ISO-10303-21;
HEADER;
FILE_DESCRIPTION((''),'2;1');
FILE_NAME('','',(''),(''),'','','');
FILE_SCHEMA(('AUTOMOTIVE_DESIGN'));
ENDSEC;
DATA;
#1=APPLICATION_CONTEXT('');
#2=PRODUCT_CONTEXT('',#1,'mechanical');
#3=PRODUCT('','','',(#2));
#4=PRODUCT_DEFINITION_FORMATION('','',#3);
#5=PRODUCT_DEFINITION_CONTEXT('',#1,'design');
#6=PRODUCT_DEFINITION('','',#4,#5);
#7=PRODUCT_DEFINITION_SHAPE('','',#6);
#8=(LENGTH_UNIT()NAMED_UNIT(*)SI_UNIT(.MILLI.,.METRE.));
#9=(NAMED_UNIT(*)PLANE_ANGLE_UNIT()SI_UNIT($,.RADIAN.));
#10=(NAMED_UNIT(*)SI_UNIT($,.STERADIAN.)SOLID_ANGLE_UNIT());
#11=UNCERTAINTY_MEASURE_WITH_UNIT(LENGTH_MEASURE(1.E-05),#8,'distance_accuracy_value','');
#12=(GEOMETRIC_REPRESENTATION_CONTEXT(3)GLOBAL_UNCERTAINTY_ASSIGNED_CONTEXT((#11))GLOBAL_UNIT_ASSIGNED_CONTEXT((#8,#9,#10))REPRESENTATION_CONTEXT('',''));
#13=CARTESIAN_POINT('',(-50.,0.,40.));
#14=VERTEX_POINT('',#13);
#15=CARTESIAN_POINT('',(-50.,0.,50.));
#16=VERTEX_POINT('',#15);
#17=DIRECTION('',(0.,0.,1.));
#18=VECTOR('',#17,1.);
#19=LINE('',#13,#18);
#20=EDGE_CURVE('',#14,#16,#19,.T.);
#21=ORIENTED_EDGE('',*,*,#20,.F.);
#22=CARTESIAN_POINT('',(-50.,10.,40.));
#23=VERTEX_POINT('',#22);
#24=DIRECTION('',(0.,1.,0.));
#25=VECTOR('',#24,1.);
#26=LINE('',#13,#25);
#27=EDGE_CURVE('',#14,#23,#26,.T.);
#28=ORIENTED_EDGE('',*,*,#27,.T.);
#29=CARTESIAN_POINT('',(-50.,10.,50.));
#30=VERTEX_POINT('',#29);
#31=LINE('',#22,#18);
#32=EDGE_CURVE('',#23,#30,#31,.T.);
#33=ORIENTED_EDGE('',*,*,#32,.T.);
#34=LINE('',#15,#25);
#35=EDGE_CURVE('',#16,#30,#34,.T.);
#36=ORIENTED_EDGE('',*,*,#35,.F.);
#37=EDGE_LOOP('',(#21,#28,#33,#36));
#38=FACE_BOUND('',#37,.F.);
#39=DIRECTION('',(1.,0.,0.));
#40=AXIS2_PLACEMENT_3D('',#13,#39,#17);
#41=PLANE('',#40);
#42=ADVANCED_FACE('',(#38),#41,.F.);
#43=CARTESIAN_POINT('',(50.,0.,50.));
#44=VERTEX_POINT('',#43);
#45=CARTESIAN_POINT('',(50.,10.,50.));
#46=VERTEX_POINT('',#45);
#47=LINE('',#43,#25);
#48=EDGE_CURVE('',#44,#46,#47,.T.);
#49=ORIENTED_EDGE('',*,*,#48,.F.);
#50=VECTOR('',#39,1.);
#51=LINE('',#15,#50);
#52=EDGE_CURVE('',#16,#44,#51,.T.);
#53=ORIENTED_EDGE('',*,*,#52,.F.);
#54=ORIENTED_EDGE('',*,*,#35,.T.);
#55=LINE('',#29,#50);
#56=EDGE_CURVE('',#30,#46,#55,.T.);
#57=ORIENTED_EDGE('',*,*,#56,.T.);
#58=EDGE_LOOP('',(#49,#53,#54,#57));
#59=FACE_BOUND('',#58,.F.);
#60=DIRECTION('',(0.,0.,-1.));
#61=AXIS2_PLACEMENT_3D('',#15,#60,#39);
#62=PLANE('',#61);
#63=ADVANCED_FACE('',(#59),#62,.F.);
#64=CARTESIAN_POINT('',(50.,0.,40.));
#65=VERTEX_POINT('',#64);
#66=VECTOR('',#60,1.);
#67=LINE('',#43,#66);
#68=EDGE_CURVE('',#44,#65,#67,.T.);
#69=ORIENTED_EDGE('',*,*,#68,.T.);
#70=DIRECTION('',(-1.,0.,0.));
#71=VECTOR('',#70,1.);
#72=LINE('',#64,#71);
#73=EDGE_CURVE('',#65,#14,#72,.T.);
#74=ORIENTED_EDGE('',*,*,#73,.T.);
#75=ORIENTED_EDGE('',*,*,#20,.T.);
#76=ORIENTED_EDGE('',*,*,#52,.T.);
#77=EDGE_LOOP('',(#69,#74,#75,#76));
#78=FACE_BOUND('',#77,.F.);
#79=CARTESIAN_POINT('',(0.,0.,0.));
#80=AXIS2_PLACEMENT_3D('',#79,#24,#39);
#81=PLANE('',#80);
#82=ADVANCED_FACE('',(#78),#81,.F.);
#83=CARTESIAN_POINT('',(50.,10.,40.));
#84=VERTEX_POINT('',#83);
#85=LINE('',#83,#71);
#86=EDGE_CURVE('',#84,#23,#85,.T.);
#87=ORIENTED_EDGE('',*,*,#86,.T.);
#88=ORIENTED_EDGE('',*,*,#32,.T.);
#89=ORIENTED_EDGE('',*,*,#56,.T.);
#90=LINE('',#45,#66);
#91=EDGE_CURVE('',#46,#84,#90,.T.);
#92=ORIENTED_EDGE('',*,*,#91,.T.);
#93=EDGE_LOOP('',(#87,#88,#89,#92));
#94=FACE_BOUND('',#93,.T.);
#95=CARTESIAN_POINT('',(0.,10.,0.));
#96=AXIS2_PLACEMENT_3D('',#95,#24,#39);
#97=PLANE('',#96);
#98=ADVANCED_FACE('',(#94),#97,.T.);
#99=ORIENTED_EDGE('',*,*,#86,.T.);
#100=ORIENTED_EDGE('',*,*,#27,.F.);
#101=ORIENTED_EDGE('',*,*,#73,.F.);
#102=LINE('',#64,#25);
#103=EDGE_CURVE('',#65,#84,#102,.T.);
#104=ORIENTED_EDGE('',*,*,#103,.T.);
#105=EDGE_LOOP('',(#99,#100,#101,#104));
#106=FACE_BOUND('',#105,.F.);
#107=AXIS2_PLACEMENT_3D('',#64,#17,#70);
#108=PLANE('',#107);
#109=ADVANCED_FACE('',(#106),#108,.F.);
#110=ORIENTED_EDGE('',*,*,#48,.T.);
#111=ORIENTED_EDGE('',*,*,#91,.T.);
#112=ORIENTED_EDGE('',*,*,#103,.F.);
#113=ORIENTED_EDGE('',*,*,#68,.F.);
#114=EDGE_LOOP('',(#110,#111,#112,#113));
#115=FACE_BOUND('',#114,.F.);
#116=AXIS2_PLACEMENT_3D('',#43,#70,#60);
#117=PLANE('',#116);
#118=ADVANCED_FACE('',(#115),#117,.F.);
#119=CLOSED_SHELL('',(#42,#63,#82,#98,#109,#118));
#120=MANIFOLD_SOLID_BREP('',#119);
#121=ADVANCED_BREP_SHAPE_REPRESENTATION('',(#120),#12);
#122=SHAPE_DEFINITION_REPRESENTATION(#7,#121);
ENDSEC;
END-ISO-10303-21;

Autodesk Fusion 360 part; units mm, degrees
sketch "Sketch1" plane through (0, 0, 0) normal (0, 1, 0) x (1, 0, 0)
  line L0 (-50, -50) -> (50, -50)
  line L1 (50, -50) -> (50, -40)
  line L2 (50, -40) -> (-50, -40)
  line L3 (-50, -40) -> (-50, -50)
  dimension "d1" = 100
  dimension "d2" = 10
extrude "Extrude1" add sketch "Sketch1" along normal blind 10
